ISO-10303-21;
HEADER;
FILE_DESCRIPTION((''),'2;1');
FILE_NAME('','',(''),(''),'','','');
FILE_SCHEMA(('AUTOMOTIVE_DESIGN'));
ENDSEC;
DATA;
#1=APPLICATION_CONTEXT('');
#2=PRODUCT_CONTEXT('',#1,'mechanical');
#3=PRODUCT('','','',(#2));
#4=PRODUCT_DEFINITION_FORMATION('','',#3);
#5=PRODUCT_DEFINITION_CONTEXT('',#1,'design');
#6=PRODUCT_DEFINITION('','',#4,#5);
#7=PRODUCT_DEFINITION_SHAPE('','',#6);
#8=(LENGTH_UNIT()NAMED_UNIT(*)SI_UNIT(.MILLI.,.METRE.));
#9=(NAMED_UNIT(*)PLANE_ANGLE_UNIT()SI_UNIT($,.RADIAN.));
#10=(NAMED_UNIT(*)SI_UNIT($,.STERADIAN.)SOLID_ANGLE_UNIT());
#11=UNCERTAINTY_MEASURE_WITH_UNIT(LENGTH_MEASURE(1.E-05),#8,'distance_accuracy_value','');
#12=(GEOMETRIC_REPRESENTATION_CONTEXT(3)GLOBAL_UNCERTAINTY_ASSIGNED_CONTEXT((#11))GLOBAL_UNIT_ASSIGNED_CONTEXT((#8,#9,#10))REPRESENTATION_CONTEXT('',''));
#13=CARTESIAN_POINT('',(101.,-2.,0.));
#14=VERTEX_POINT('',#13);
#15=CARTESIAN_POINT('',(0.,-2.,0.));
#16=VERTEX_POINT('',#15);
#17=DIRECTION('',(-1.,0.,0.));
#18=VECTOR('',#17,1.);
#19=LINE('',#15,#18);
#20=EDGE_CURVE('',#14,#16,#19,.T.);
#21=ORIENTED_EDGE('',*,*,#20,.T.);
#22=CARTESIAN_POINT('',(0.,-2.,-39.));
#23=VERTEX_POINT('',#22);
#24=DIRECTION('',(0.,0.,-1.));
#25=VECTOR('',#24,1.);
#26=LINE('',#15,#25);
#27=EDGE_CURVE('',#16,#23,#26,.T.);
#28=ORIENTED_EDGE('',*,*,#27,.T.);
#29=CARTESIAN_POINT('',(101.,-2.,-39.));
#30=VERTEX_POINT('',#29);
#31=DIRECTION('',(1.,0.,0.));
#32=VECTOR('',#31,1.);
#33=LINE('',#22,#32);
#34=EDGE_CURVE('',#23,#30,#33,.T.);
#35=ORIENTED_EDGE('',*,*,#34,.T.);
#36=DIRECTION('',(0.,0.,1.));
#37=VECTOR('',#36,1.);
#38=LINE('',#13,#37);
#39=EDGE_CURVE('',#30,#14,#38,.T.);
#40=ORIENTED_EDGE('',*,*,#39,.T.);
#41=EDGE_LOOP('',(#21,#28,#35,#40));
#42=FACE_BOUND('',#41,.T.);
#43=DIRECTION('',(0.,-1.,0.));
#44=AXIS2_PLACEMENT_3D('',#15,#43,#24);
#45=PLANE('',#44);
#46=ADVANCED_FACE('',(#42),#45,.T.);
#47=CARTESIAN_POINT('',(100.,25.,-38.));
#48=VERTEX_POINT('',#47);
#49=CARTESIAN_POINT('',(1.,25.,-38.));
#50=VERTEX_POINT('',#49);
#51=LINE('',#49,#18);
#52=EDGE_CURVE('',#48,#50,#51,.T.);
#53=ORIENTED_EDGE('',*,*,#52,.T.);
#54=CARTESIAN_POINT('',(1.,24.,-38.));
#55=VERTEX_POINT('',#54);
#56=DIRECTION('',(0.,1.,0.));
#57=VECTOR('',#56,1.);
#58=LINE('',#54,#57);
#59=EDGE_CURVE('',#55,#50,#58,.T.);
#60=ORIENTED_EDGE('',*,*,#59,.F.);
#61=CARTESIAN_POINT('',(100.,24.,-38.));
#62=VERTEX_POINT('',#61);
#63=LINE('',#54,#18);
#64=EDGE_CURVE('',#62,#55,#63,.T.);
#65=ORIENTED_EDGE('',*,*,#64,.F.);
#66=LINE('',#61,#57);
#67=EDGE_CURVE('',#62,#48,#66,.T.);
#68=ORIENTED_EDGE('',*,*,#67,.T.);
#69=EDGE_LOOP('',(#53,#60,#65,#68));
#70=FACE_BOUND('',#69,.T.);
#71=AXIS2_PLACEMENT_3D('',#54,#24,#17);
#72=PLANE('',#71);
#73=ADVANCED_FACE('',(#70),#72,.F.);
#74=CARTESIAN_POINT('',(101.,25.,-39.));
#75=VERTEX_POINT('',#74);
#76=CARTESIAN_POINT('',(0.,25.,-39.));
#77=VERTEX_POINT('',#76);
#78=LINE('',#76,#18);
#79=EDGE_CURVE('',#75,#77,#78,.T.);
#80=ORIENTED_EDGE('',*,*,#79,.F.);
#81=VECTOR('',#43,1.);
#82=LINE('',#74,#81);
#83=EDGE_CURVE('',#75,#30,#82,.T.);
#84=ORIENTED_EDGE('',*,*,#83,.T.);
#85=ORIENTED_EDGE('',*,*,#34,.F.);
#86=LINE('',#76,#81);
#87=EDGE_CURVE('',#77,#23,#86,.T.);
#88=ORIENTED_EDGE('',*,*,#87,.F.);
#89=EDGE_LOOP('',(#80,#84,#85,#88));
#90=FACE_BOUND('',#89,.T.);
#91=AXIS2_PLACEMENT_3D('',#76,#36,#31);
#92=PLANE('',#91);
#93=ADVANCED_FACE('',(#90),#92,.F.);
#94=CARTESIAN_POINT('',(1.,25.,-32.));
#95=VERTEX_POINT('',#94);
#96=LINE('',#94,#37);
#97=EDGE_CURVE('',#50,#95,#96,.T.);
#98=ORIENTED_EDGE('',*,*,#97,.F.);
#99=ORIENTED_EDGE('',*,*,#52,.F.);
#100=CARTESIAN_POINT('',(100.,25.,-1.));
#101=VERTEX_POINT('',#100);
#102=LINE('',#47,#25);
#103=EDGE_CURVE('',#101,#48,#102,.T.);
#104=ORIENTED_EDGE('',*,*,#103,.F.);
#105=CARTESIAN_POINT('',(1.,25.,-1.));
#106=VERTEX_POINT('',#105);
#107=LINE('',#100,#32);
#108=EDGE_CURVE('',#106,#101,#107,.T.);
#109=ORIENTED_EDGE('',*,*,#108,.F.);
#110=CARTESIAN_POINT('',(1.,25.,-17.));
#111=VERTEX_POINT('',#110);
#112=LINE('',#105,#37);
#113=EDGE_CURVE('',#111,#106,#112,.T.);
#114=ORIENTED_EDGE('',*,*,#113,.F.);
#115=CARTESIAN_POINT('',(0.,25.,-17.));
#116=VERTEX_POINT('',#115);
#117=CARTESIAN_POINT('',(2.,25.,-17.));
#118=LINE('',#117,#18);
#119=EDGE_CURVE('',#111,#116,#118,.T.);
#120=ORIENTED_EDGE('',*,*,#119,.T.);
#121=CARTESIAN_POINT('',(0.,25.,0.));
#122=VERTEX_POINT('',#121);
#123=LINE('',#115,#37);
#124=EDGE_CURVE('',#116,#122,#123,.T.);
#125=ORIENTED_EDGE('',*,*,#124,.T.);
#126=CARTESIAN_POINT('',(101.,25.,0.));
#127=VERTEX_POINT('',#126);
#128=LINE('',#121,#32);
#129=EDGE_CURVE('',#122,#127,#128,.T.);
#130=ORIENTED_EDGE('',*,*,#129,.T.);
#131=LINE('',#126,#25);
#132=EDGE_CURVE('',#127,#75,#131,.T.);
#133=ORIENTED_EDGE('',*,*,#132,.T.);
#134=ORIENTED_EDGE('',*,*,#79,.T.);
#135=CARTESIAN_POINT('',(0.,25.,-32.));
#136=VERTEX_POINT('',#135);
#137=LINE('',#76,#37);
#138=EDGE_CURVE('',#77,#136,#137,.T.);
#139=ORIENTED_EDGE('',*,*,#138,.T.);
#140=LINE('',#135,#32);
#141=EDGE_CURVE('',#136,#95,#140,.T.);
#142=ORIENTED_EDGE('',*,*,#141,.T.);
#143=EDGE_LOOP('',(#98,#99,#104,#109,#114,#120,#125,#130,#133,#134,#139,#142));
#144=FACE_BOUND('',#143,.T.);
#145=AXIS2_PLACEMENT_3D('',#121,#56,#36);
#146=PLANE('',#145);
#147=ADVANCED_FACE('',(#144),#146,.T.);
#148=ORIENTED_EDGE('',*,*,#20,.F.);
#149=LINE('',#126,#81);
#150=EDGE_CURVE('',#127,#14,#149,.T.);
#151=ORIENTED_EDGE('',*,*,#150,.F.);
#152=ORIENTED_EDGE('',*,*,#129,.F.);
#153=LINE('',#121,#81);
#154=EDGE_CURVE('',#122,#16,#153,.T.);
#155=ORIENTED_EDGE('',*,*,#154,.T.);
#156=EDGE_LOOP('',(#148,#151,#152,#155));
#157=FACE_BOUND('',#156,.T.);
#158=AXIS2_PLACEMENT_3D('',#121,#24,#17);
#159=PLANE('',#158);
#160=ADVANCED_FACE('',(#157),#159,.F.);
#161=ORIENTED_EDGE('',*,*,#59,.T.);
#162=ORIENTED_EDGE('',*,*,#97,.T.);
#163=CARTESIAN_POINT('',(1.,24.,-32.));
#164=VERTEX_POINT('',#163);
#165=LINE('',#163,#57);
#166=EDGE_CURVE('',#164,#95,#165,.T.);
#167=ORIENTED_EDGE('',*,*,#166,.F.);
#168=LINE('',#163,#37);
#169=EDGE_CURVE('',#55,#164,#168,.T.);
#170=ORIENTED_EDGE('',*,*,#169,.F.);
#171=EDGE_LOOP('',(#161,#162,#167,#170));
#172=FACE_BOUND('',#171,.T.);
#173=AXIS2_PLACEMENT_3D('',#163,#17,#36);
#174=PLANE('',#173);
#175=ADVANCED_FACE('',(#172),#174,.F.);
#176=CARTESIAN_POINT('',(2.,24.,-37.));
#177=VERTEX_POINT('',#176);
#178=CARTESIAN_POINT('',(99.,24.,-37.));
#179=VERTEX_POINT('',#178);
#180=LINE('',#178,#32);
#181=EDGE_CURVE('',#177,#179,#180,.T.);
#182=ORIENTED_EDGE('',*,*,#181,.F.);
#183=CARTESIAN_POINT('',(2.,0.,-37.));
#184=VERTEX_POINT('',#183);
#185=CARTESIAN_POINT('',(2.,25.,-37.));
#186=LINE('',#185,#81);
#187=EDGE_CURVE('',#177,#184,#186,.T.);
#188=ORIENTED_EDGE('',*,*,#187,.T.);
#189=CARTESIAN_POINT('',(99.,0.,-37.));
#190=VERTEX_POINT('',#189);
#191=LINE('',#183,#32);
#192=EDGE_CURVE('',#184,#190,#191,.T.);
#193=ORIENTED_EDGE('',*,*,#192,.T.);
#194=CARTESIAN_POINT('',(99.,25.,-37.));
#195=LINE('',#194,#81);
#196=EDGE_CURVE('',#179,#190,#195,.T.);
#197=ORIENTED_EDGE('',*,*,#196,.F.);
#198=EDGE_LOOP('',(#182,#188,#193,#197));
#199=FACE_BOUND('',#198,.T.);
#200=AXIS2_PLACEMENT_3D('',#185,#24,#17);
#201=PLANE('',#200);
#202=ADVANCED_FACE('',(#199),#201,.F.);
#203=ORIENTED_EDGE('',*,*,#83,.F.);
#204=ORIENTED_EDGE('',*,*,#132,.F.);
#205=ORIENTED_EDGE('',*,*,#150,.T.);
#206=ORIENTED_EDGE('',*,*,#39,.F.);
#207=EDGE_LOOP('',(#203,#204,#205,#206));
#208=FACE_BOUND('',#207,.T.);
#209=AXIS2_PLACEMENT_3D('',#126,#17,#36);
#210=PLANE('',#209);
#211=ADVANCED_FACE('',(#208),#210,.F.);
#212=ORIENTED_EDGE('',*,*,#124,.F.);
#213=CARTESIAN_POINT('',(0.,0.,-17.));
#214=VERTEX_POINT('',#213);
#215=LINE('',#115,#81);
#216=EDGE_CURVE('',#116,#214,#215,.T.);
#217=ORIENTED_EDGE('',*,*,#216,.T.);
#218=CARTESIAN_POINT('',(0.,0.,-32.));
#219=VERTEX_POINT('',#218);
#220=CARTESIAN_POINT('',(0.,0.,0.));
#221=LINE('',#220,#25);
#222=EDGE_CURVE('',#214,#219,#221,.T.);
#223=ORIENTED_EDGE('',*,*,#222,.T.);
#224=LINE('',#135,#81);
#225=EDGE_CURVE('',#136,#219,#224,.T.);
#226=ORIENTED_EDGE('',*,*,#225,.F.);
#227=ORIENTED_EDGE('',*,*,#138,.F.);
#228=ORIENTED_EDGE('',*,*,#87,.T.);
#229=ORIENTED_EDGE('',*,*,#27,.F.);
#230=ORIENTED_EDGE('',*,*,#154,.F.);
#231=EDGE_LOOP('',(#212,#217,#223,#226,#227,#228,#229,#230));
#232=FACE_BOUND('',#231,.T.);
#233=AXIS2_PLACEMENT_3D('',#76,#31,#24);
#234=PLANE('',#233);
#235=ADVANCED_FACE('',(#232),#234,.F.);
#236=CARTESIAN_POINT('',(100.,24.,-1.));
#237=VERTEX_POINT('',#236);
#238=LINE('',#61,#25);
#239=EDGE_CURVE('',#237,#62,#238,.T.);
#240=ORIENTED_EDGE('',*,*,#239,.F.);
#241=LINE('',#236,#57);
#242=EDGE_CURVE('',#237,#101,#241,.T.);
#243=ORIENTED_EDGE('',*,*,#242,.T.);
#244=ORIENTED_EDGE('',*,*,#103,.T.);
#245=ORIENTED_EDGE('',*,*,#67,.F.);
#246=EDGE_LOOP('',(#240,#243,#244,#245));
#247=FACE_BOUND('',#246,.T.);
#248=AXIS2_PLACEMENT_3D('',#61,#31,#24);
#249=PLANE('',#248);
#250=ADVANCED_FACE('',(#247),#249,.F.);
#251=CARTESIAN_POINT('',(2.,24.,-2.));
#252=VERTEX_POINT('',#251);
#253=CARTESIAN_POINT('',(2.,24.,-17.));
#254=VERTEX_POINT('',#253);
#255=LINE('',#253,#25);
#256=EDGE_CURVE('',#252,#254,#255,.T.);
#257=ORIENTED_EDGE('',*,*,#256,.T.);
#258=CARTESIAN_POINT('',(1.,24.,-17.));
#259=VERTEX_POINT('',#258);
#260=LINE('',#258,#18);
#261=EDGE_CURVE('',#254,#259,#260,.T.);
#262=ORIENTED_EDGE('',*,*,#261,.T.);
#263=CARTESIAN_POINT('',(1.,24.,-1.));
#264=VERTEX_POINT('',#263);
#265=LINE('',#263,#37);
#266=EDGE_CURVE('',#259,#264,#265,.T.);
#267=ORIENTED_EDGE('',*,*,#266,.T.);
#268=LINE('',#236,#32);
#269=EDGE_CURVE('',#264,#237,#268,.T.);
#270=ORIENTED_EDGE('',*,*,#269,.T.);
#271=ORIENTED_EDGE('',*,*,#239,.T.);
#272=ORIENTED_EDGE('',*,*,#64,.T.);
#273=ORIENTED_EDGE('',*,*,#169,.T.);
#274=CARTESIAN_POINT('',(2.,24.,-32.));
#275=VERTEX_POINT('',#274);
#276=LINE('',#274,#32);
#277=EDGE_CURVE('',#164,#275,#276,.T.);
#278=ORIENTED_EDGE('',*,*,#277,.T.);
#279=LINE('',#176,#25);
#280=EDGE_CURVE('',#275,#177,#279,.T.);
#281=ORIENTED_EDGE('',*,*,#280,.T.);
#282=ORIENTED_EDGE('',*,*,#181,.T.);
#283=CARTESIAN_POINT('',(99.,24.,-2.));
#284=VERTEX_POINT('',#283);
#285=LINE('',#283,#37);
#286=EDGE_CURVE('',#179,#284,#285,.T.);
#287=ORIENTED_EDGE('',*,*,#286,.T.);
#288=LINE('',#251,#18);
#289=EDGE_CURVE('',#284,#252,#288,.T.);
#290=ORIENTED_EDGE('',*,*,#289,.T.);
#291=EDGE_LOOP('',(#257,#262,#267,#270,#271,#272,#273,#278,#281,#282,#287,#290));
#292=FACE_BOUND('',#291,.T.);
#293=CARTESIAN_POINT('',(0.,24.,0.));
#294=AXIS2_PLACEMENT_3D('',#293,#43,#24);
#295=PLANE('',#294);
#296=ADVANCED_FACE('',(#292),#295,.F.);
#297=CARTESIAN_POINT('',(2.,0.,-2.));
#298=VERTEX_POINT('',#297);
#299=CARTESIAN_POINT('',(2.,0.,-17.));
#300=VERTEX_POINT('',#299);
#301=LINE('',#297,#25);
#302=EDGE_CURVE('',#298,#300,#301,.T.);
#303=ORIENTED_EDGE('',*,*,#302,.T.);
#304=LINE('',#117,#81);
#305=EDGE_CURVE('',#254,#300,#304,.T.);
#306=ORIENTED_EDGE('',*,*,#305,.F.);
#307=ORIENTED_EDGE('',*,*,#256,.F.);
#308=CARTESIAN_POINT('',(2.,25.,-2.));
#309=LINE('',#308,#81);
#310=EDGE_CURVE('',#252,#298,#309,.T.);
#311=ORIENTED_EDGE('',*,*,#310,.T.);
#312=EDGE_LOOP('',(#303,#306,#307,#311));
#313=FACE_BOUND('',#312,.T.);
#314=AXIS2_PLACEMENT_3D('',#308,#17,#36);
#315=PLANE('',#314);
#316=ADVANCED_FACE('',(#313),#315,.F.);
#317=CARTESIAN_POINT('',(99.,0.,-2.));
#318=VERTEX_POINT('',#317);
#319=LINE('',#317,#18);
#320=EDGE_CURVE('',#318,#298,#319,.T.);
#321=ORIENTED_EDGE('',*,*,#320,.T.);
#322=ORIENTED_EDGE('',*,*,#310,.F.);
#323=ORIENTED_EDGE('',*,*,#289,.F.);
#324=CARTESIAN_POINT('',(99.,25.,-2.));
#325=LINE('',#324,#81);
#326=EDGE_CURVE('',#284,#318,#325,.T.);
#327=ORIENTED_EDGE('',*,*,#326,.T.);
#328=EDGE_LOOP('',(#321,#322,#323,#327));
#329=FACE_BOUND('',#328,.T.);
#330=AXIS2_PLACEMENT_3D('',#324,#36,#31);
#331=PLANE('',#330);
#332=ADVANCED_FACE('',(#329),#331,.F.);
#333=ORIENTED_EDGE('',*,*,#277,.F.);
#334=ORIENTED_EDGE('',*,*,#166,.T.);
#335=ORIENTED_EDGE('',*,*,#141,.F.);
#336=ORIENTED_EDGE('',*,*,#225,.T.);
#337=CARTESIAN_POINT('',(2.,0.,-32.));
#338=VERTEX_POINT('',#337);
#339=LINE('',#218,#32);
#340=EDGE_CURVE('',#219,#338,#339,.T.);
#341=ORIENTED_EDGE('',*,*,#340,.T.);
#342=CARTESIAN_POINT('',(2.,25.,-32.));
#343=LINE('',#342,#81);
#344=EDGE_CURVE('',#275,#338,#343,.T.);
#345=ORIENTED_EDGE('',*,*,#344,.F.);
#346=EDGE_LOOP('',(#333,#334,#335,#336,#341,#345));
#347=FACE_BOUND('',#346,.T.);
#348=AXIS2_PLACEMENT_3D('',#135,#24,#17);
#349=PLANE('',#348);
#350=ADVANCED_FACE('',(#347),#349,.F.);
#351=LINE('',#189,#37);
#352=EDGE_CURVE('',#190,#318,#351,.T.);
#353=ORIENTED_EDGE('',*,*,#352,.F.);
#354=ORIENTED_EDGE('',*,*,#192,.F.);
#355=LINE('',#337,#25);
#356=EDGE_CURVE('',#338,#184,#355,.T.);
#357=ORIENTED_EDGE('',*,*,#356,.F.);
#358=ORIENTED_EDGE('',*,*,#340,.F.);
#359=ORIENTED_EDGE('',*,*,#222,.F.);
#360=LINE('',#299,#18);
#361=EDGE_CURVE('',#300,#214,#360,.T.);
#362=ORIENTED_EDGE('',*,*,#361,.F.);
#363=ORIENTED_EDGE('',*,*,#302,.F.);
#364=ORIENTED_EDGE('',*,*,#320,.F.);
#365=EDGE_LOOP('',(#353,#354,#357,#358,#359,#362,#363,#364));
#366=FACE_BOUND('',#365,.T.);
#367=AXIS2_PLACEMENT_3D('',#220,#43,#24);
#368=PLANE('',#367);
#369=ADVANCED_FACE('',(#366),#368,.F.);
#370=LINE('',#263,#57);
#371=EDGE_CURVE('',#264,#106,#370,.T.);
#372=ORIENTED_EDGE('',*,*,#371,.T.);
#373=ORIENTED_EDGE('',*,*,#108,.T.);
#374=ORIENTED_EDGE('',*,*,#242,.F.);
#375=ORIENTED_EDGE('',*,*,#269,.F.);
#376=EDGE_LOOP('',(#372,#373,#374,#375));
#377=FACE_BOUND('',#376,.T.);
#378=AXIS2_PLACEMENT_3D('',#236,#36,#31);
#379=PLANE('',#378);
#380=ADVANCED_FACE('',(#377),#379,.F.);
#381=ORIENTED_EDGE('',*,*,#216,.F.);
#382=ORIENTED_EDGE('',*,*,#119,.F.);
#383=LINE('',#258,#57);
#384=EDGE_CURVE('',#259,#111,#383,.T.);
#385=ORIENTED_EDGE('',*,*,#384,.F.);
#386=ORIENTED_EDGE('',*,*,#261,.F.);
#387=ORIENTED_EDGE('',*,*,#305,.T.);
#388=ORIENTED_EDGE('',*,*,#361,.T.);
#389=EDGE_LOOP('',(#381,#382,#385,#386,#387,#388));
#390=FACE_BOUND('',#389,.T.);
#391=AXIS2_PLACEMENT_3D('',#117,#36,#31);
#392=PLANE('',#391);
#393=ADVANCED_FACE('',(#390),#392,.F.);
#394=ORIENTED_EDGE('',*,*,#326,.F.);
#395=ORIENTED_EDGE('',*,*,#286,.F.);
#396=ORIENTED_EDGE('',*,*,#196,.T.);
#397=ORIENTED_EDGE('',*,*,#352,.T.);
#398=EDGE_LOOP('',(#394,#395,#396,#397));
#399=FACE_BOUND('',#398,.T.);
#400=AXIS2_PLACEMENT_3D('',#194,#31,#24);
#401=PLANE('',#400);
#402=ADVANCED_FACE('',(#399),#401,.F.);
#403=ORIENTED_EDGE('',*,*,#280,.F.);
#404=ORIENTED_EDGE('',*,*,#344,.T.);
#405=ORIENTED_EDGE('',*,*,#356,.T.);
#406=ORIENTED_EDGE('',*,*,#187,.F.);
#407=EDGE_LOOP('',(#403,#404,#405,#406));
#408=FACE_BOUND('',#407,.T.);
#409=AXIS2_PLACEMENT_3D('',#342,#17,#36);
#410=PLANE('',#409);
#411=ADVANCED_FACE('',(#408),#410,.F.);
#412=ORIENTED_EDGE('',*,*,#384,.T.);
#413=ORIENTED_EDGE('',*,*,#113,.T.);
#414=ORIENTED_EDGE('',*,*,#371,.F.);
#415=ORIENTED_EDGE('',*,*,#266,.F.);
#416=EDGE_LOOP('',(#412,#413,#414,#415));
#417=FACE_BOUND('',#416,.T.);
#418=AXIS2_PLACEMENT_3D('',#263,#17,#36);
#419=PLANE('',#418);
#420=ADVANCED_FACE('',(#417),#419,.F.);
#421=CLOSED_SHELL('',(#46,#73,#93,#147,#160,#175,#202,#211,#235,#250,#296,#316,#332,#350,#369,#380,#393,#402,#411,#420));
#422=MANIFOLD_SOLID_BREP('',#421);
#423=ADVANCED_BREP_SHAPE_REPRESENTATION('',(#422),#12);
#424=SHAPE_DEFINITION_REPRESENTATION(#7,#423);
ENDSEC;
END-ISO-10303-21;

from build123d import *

# Parameters (mm, degrees)
BOSS_EXTRUDE1_DEPTH = 25
SKETCH2_W           = 101
SKETCH2_H           = 39
BOSS_EXTRUDE2_DEPTH = 2
CUT_EXTRUDE1_DEPTH  = 1


with BuildPart() as part:
    # Sketch1 → Boss-Extrude1 (new body)
    with BuildSketch(Plane(origin=(0, 0, 0), x_dir=(1, 0, 0), z_dir=(0, 1, 0))):
        Polygon((0, 39), (0, 32), (2, 32), (2, 37), (99, 37), (99, 2), (2, 2), (2, 17), (0, 17), (0, 0), (101, 0), (101, 39), align=None)
    extrude(amount=BOSS_EXTRUDE1_DEPTH)

    # Sketch2 → Boss-Extrude2 (add)
    with BuildSketch(Plane(origin=(0, 0, 0), x_dir=(-1, 0, 0), z_dir=(0, -1, 0))):
        with Locations((-50.5, 19.5)):
            Rectangle(SKETCH2_W, SKETCH2_H)
    extrude(amount=BOSS_EXTRUDE2_DEPTH)

    # Sketch3 → Cut-Extrude1 (cut)
    with BuildSketch(Plane(origin=(0, 25, 0), x_dir=(1, 0, 0), z_dir=(0, 1, 0))):
        Polygon((2, 32), (1, 32), (1, 38), (100, 38), (100, 1), (1, 1), (1, 17), (2, 17), (2, 2), (99, 2), (99, 37), (2, 37), align=None)
    extrude(amount=-CUT_EXTRUDE1_DEPTH, mode=Mode.SUBTRACT)


solid = part.part
